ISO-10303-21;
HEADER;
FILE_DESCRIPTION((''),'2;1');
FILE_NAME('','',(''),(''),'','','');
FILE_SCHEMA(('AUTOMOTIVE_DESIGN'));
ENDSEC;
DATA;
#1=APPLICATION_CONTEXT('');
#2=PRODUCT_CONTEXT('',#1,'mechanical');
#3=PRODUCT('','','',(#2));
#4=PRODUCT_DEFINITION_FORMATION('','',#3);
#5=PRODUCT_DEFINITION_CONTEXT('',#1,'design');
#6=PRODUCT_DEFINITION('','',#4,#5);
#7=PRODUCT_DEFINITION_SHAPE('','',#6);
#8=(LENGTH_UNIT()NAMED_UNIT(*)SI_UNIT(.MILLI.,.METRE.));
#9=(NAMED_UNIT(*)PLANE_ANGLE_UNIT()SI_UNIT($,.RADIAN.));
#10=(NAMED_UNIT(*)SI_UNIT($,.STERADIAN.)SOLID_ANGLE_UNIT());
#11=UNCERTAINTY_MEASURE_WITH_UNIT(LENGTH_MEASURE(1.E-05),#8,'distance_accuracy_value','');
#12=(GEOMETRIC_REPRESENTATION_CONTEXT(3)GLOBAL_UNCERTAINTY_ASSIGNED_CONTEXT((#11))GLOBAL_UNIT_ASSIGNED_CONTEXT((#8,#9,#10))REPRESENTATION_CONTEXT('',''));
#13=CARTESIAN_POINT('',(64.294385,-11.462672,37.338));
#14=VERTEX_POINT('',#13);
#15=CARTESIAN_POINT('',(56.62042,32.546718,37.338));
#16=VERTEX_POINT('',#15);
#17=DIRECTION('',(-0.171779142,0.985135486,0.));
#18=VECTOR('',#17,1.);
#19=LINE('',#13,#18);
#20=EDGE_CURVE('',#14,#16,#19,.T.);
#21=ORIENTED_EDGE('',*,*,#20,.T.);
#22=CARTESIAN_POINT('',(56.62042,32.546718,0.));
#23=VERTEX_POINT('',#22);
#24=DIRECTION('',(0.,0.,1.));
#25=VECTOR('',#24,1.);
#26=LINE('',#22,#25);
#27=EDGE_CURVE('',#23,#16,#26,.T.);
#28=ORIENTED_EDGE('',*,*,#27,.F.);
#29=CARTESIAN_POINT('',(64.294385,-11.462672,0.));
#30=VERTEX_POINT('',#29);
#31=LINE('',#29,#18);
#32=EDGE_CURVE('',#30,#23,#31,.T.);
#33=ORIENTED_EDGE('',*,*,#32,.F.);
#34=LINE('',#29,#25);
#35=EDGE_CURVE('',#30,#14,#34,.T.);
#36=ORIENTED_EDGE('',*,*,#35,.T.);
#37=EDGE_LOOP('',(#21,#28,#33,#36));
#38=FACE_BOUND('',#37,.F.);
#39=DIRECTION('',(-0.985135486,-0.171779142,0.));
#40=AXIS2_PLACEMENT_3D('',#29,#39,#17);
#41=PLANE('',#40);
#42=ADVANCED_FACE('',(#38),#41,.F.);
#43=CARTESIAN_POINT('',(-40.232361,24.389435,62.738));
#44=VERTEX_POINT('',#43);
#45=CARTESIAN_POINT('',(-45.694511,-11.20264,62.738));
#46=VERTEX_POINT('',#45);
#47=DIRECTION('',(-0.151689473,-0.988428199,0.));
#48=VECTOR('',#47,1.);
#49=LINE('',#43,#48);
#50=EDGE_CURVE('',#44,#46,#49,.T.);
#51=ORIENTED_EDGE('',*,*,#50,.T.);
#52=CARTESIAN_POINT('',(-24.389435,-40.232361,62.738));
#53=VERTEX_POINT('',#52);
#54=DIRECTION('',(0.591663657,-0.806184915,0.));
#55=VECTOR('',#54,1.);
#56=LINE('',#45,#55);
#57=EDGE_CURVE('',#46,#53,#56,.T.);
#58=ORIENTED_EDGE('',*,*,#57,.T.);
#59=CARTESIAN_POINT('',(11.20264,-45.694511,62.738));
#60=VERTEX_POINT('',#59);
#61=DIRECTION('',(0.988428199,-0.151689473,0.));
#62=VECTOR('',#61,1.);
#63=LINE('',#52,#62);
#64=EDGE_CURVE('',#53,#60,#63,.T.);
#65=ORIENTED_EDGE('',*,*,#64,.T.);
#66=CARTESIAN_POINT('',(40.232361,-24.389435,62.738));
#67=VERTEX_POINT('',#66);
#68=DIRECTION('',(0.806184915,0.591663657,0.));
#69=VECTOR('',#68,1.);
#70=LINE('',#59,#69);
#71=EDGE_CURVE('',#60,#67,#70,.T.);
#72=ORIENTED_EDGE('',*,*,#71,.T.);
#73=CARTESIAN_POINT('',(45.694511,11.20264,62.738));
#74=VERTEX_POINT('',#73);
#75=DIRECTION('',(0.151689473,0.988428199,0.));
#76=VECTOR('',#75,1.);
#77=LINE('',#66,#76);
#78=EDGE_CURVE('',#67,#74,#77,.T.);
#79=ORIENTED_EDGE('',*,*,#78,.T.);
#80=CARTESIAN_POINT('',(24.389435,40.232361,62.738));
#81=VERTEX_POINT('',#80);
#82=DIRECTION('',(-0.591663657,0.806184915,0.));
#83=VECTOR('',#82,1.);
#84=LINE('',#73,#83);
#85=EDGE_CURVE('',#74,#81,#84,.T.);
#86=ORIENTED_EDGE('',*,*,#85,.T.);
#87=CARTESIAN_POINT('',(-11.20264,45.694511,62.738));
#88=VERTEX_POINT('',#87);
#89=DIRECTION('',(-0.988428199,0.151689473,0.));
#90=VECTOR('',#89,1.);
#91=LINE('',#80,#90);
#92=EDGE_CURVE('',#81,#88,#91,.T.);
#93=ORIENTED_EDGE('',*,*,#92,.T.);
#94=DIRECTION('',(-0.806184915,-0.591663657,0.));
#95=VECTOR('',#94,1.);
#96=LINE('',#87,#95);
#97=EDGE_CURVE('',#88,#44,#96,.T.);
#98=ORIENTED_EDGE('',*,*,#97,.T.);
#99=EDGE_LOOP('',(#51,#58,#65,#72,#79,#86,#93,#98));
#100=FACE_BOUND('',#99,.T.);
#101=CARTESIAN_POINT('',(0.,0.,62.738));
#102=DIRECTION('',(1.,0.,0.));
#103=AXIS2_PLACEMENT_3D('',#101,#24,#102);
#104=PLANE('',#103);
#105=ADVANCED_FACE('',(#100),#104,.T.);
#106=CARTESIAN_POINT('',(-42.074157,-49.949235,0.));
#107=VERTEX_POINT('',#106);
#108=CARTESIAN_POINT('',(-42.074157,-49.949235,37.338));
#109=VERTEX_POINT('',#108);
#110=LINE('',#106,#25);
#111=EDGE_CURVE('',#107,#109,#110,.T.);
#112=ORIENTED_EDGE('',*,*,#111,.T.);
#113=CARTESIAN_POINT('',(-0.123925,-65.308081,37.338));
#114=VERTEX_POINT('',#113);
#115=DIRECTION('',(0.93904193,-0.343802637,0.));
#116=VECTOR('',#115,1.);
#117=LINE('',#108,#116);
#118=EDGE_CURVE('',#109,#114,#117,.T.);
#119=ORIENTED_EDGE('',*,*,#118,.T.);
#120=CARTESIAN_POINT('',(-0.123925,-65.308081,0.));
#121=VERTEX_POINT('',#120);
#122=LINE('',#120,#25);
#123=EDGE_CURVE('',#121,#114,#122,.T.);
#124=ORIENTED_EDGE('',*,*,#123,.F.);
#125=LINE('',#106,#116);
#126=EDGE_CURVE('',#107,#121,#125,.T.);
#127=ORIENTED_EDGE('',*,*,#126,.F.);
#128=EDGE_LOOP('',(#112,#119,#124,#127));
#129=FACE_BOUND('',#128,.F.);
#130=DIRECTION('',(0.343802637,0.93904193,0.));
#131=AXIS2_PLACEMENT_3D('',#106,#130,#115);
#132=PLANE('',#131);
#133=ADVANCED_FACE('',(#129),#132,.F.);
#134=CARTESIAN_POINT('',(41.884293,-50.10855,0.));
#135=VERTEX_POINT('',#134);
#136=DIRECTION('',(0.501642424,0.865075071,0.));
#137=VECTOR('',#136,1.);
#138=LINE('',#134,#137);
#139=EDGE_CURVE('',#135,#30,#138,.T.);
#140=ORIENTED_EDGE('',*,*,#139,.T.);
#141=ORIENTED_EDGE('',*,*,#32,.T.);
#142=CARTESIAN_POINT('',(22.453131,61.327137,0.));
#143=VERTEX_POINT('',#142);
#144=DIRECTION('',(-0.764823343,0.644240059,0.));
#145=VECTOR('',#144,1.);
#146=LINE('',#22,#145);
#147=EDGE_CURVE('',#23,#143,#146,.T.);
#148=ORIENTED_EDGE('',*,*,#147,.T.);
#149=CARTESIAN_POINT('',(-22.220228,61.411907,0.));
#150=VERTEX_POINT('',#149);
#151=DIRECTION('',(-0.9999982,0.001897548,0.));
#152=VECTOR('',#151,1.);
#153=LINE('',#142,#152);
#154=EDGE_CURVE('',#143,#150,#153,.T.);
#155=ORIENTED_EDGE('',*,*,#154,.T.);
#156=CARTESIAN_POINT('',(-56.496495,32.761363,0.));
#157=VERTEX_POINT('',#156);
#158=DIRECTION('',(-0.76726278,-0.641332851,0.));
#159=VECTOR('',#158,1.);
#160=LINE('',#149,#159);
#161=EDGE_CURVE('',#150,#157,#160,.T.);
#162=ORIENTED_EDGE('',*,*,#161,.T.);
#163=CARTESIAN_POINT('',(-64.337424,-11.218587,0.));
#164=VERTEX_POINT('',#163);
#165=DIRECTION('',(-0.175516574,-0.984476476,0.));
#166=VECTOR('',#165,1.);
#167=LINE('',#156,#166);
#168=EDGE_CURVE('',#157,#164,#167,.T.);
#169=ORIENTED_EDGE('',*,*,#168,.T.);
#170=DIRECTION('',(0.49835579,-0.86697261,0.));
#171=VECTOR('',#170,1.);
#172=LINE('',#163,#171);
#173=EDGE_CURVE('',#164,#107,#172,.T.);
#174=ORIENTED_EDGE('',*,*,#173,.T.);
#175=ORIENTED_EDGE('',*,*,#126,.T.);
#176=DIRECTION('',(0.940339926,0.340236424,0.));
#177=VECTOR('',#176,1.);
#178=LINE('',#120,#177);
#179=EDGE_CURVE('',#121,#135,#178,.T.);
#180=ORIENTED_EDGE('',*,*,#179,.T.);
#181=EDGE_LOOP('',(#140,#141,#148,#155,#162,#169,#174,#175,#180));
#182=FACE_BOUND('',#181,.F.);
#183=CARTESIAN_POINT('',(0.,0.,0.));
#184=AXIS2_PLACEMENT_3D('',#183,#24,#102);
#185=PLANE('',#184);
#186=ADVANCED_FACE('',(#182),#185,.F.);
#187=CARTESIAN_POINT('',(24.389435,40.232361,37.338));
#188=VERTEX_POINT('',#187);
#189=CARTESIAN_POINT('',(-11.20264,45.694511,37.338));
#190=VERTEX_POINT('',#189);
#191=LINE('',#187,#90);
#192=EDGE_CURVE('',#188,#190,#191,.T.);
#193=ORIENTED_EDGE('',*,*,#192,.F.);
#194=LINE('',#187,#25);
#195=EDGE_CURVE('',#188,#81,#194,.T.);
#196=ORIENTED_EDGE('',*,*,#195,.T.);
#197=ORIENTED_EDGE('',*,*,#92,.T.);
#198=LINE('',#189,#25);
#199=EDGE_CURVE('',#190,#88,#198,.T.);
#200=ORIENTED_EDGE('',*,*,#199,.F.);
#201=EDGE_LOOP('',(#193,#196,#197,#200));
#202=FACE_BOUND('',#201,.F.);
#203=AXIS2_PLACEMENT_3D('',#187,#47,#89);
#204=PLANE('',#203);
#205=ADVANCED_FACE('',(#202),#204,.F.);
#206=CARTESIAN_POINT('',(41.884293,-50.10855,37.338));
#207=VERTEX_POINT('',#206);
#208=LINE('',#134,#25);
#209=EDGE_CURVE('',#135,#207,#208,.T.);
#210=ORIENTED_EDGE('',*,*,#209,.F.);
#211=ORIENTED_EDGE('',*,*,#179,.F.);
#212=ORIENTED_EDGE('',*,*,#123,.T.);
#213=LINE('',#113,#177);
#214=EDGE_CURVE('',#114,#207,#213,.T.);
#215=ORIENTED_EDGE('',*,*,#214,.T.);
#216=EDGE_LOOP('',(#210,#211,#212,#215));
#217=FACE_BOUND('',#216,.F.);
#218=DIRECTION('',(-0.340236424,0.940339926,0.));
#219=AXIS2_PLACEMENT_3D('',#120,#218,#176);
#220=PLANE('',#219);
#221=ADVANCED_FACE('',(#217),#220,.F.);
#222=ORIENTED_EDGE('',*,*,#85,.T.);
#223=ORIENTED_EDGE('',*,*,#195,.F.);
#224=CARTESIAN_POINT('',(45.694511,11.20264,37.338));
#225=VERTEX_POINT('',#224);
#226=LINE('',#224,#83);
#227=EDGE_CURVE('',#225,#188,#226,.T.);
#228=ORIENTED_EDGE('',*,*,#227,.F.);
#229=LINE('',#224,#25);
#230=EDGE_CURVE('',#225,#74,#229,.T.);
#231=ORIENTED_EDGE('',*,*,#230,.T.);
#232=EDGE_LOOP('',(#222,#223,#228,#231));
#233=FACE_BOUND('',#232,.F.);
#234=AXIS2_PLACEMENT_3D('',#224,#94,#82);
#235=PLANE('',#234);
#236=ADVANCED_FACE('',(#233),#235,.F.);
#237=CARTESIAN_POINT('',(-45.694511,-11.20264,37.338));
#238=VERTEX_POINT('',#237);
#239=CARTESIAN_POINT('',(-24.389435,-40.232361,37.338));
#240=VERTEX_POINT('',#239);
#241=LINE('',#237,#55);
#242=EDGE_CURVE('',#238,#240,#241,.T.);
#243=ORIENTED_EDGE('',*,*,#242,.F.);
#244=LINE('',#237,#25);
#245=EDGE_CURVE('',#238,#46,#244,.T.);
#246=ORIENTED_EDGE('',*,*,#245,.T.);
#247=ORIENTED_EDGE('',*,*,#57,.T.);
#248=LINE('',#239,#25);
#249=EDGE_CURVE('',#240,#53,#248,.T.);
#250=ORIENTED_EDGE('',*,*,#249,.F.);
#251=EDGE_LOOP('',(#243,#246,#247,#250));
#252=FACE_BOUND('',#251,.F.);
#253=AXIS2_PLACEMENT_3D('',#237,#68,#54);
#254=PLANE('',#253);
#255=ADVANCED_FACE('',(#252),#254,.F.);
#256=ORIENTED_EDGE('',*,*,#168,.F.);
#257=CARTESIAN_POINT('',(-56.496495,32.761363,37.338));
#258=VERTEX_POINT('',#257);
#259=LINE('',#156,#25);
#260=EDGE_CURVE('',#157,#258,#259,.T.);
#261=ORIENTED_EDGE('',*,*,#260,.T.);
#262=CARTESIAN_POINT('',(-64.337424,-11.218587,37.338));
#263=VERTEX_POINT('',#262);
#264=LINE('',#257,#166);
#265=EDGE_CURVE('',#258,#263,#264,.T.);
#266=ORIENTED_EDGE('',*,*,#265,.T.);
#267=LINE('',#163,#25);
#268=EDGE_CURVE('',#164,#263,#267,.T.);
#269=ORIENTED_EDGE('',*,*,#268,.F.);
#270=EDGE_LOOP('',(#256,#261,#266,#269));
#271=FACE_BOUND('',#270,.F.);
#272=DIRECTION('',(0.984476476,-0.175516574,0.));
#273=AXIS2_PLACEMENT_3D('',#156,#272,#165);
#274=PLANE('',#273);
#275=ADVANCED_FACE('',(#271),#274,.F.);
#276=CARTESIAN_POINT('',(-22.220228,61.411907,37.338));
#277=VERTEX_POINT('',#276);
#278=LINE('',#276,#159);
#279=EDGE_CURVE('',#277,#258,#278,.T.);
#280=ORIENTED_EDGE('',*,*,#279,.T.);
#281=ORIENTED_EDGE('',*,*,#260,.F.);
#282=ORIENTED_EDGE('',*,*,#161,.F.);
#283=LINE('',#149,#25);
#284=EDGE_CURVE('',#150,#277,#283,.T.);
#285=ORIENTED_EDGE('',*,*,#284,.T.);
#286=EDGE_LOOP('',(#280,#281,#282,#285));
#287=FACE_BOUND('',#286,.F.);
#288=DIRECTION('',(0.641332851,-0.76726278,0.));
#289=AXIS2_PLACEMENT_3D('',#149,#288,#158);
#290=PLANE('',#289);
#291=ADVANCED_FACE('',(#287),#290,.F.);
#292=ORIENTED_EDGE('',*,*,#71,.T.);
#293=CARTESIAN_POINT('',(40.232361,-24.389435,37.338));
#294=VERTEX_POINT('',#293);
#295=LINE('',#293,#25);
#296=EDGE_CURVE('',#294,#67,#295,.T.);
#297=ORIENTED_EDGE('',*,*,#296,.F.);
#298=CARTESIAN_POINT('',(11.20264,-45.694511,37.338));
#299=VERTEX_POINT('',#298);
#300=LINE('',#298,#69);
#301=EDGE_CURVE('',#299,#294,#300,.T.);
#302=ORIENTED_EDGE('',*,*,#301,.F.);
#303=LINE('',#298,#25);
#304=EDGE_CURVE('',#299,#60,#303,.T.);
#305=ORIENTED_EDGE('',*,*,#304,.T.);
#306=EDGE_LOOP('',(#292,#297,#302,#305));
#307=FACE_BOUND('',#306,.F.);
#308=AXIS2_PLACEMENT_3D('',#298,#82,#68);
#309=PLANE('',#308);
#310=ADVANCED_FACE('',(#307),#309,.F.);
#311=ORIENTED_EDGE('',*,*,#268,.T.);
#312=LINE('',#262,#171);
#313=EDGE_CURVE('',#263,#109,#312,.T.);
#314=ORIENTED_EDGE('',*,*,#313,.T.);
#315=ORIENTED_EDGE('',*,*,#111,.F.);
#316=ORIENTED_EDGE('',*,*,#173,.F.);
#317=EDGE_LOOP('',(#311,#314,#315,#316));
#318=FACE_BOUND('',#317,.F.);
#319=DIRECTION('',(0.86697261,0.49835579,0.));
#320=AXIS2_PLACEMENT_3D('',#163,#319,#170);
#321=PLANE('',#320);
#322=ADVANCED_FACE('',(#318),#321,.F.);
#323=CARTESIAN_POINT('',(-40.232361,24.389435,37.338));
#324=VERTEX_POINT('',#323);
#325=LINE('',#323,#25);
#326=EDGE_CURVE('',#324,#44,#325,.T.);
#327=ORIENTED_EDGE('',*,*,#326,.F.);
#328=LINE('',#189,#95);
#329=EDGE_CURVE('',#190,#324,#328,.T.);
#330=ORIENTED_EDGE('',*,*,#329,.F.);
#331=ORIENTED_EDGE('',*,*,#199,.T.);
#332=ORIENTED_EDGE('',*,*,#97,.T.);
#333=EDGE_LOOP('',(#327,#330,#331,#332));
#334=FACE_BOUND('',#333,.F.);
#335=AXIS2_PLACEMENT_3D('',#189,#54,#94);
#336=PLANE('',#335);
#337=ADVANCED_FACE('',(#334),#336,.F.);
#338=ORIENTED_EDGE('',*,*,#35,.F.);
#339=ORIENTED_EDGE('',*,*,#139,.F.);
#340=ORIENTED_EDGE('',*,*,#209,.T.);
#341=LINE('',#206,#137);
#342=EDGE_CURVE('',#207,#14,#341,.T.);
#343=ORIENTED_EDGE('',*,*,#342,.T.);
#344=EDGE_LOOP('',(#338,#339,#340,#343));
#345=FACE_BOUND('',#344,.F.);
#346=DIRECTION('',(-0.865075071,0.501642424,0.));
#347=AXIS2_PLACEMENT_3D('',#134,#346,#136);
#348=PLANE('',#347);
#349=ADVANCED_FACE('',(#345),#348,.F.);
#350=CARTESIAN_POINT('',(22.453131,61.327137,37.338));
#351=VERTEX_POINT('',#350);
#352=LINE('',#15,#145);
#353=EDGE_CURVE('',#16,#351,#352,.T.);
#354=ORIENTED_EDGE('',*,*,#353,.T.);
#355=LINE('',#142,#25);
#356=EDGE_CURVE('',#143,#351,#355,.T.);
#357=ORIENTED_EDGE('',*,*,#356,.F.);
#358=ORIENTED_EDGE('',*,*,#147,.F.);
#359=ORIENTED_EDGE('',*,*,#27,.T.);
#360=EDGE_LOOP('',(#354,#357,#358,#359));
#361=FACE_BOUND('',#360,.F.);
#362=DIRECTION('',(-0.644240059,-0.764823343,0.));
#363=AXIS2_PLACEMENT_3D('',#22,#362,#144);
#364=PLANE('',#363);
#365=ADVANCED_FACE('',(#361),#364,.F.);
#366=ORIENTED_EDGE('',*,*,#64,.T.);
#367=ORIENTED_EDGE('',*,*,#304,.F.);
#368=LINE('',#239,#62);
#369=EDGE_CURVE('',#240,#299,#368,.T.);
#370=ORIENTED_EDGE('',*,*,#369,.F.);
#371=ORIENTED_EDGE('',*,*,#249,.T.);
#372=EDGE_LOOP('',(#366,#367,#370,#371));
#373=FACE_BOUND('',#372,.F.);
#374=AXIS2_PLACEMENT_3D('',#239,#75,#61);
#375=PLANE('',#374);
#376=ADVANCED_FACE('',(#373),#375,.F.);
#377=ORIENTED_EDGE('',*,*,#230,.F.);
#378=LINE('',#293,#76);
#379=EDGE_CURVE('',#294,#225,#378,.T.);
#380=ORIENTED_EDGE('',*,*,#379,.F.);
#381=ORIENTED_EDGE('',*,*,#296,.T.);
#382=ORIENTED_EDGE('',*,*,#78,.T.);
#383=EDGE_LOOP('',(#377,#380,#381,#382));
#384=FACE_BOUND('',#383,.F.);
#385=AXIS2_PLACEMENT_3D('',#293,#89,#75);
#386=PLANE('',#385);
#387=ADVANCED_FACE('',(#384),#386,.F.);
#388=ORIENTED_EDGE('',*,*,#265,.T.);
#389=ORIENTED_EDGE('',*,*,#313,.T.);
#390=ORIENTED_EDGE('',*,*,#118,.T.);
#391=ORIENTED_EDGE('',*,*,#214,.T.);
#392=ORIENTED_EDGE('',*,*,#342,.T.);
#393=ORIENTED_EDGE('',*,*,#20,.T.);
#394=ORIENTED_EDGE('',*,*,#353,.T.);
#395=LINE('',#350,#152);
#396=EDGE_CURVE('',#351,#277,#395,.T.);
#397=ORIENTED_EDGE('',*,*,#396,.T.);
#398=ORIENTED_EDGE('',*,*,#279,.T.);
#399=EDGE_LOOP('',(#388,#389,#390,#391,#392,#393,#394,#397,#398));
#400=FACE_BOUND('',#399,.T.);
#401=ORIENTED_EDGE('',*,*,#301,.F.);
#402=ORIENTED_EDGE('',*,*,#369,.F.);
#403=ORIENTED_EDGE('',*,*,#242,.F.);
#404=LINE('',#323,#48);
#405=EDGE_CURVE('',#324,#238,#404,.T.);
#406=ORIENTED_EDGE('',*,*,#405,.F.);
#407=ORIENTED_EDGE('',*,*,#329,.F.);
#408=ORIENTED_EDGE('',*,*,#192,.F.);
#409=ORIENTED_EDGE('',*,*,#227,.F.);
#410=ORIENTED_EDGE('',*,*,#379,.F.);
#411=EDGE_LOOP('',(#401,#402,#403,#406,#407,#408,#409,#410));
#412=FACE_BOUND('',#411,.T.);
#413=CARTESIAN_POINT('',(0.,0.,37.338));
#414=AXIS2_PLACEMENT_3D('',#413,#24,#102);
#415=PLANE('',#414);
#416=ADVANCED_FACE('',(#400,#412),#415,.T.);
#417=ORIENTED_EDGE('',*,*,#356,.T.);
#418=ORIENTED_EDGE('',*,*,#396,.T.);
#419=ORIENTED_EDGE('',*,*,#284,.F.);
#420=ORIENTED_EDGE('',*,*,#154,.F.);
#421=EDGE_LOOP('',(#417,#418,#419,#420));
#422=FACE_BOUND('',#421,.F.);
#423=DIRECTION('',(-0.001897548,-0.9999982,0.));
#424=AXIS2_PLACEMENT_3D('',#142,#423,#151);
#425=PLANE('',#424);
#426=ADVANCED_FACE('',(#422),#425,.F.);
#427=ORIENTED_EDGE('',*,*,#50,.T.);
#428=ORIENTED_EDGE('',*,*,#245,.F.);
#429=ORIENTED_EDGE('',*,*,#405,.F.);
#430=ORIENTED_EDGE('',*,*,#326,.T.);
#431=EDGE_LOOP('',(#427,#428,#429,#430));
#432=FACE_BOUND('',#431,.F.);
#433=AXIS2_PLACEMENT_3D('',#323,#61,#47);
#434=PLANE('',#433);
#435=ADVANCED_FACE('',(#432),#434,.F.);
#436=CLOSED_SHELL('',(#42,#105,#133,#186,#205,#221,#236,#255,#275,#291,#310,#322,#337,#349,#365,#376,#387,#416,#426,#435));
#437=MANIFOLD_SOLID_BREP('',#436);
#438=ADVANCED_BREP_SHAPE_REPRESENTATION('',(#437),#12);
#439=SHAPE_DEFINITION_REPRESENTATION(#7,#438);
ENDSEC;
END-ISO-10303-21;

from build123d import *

# Parameters (mm, degrees)
F1_DEPTH = 37.338
F3_DEPTH = 25.4


with BuildPart() as f1:
    # F0 (on Top) → F1 (new body)
    with BuildSketch(Plane.XY):
        Polygon((41.884293, -50.10855), (64.294385, -11.462672), (56.62042, 32.546718), (22.453131, 61.327137), (-22.220228, 61.411907), (-56.496495, 32.761363), (-64.337424, -11.218587), (-42.074157, -49.949235), (-0.123925, -65.308081), align=None)
    extrude(amount=F1_DEPTH)

    # F2 (on face) → F3 (join)
    with BuildSketch(Plane.XY.offset(37.338)):
        Polygon((-11.20264, 45.694511), (-40.232361, 24.389435), (-45.694511, -11.20264), (-24.389435, -40.232361), (11.20264, -45.694511), (40.232361, -24.389435), (45.694511, 11.20264), (24.389435, 40.232361), align=None)
    extrude(amount=F3_DEPTH)


solid = f1.part
